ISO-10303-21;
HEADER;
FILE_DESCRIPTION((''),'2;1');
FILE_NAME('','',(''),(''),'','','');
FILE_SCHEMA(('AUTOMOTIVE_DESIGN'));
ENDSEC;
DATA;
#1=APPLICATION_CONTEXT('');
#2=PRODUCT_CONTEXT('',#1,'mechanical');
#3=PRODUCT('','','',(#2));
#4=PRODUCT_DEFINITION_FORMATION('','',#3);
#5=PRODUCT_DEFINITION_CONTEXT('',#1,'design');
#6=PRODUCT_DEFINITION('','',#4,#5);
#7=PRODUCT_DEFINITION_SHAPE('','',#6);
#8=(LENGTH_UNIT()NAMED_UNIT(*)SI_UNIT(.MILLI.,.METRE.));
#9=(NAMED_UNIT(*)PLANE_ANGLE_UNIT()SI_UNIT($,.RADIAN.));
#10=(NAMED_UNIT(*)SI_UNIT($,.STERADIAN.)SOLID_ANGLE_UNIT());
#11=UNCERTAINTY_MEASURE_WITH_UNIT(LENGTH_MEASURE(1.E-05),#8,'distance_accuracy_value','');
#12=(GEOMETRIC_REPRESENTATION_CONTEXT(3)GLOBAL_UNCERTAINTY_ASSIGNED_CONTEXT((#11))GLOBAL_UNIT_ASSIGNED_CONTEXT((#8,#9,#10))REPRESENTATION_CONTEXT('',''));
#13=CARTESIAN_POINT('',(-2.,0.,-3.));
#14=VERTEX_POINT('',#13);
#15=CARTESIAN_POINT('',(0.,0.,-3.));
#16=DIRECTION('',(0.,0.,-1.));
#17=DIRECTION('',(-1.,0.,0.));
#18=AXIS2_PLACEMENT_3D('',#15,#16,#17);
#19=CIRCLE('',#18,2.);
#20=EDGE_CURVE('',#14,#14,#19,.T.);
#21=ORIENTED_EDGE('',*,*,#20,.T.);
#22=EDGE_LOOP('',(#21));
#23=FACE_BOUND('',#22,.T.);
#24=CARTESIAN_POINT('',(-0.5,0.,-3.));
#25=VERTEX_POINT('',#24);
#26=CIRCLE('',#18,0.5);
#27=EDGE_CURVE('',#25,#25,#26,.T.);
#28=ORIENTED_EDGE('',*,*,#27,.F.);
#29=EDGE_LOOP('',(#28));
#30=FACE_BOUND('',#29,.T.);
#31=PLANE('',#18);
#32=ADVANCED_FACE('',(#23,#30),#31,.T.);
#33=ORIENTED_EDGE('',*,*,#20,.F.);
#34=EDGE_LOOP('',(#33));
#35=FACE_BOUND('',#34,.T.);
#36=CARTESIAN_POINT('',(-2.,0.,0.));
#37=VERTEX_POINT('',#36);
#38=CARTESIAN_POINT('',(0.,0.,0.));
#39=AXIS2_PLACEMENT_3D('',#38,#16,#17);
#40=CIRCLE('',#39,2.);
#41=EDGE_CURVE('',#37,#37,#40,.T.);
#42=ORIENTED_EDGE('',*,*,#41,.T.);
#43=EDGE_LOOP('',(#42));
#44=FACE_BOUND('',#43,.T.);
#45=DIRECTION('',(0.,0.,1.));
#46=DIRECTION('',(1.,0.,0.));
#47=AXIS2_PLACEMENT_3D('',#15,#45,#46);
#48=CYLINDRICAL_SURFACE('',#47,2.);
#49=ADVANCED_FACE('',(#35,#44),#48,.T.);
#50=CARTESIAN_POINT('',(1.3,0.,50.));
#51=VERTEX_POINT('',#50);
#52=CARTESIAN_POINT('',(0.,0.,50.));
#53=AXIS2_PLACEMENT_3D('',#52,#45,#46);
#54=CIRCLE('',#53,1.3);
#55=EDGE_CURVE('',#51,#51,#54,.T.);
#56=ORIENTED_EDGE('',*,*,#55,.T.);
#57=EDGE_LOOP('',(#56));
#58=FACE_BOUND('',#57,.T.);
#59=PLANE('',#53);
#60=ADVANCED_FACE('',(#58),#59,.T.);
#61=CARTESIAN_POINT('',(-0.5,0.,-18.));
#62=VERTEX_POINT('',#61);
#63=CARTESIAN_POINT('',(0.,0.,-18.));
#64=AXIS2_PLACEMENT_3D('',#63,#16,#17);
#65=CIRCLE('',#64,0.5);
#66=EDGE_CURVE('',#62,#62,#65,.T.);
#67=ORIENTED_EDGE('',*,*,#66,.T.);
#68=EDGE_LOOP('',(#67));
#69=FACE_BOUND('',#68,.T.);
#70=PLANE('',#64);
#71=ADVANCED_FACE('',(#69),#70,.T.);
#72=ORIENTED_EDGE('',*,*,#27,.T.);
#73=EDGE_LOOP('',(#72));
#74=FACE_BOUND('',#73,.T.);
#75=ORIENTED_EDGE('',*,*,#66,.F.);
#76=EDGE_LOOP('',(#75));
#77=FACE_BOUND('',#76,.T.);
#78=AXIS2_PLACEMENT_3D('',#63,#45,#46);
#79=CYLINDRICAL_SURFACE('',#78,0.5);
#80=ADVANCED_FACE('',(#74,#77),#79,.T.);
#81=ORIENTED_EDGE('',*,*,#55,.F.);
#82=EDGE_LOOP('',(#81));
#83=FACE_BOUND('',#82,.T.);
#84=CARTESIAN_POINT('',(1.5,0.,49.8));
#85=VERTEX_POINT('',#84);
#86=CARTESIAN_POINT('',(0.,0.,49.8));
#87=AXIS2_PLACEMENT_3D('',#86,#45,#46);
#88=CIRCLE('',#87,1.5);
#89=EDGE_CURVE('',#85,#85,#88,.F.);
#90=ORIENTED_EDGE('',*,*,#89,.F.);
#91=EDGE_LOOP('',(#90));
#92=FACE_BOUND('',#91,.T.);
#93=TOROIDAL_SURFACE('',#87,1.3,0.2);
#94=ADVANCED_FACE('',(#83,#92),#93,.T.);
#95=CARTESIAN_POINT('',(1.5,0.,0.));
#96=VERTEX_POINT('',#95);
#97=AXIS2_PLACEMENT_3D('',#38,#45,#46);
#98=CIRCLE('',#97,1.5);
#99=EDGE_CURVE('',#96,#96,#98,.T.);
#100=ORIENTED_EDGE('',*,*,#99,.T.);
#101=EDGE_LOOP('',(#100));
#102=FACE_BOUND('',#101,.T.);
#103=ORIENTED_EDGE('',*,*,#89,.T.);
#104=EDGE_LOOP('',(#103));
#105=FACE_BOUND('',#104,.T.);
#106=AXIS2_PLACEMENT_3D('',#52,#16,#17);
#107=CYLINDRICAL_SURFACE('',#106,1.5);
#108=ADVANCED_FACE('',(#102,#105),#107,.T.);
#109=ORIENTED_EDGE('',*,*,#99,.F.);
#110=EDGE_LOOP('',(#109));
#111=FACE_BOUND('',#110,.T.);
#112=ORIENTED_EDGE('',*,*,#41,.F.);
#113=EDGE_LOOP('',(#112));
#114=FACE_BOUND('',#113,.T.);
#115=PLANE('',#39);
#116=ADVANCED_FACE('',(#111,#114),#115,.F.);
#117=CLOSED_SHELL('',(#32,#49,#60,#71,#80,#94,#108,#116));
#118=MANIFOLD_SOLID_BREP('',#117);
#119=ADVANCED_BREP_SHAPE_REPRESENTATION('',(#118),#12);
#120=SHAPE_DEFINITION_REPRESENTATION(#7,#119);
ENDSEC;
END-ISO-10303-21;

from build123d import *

# Parameters (mm, degrees)
SKETCH1_R           = 1.5
BOSS_EXTRUDE1_DEPTH = 50
FILLET2_R           = 0.2
SKETCH2_R           = 2
BOSS_EXTRUDE2_DEPTH = 3
SKETCH3_R           = 0.5
BOSS_EXTRUDE3_DEPTH = 15


with BuildPart() as part:
    # Sketch1 → Boss-Extrude1 (new body)
    with BuildSketch(Plane.XY):
        Circle(SKETCH1_R)
    extrude(amount=BOSS_EXTRUDE1_DEPTH)

    # Fillet2
    fillet2_edges = [part.edges().sort_by_distance(p)[0] for p in [
        (-1.5, 0, 50),
    ]]
    fillet(fillet2_edges, radius=FILLET2_R)

    # Sketch2 → Boss-Extrude2 (add)
    with BuildSketch(Plane(origin=(0, 0, 0), x_dir=(-1, 0, 0), z_dir=(0, 0, -1))):
        Circle(SKETCH2_R)
    extrude(amount=BOSS_EXTRUDE2_DEPTH)

    # Sketch3 → Boss-Extrude3 (add)
    with BuildSketch(Plane(origin=(0, 0, -3), x_dir=(-1, 0, 0), z_dir=(0, 0, -1))):
        Circle(SKETCH3_R)
    extrude(amount=BOSS_EXTRUDE3_DEPTH)


solid = part.part
